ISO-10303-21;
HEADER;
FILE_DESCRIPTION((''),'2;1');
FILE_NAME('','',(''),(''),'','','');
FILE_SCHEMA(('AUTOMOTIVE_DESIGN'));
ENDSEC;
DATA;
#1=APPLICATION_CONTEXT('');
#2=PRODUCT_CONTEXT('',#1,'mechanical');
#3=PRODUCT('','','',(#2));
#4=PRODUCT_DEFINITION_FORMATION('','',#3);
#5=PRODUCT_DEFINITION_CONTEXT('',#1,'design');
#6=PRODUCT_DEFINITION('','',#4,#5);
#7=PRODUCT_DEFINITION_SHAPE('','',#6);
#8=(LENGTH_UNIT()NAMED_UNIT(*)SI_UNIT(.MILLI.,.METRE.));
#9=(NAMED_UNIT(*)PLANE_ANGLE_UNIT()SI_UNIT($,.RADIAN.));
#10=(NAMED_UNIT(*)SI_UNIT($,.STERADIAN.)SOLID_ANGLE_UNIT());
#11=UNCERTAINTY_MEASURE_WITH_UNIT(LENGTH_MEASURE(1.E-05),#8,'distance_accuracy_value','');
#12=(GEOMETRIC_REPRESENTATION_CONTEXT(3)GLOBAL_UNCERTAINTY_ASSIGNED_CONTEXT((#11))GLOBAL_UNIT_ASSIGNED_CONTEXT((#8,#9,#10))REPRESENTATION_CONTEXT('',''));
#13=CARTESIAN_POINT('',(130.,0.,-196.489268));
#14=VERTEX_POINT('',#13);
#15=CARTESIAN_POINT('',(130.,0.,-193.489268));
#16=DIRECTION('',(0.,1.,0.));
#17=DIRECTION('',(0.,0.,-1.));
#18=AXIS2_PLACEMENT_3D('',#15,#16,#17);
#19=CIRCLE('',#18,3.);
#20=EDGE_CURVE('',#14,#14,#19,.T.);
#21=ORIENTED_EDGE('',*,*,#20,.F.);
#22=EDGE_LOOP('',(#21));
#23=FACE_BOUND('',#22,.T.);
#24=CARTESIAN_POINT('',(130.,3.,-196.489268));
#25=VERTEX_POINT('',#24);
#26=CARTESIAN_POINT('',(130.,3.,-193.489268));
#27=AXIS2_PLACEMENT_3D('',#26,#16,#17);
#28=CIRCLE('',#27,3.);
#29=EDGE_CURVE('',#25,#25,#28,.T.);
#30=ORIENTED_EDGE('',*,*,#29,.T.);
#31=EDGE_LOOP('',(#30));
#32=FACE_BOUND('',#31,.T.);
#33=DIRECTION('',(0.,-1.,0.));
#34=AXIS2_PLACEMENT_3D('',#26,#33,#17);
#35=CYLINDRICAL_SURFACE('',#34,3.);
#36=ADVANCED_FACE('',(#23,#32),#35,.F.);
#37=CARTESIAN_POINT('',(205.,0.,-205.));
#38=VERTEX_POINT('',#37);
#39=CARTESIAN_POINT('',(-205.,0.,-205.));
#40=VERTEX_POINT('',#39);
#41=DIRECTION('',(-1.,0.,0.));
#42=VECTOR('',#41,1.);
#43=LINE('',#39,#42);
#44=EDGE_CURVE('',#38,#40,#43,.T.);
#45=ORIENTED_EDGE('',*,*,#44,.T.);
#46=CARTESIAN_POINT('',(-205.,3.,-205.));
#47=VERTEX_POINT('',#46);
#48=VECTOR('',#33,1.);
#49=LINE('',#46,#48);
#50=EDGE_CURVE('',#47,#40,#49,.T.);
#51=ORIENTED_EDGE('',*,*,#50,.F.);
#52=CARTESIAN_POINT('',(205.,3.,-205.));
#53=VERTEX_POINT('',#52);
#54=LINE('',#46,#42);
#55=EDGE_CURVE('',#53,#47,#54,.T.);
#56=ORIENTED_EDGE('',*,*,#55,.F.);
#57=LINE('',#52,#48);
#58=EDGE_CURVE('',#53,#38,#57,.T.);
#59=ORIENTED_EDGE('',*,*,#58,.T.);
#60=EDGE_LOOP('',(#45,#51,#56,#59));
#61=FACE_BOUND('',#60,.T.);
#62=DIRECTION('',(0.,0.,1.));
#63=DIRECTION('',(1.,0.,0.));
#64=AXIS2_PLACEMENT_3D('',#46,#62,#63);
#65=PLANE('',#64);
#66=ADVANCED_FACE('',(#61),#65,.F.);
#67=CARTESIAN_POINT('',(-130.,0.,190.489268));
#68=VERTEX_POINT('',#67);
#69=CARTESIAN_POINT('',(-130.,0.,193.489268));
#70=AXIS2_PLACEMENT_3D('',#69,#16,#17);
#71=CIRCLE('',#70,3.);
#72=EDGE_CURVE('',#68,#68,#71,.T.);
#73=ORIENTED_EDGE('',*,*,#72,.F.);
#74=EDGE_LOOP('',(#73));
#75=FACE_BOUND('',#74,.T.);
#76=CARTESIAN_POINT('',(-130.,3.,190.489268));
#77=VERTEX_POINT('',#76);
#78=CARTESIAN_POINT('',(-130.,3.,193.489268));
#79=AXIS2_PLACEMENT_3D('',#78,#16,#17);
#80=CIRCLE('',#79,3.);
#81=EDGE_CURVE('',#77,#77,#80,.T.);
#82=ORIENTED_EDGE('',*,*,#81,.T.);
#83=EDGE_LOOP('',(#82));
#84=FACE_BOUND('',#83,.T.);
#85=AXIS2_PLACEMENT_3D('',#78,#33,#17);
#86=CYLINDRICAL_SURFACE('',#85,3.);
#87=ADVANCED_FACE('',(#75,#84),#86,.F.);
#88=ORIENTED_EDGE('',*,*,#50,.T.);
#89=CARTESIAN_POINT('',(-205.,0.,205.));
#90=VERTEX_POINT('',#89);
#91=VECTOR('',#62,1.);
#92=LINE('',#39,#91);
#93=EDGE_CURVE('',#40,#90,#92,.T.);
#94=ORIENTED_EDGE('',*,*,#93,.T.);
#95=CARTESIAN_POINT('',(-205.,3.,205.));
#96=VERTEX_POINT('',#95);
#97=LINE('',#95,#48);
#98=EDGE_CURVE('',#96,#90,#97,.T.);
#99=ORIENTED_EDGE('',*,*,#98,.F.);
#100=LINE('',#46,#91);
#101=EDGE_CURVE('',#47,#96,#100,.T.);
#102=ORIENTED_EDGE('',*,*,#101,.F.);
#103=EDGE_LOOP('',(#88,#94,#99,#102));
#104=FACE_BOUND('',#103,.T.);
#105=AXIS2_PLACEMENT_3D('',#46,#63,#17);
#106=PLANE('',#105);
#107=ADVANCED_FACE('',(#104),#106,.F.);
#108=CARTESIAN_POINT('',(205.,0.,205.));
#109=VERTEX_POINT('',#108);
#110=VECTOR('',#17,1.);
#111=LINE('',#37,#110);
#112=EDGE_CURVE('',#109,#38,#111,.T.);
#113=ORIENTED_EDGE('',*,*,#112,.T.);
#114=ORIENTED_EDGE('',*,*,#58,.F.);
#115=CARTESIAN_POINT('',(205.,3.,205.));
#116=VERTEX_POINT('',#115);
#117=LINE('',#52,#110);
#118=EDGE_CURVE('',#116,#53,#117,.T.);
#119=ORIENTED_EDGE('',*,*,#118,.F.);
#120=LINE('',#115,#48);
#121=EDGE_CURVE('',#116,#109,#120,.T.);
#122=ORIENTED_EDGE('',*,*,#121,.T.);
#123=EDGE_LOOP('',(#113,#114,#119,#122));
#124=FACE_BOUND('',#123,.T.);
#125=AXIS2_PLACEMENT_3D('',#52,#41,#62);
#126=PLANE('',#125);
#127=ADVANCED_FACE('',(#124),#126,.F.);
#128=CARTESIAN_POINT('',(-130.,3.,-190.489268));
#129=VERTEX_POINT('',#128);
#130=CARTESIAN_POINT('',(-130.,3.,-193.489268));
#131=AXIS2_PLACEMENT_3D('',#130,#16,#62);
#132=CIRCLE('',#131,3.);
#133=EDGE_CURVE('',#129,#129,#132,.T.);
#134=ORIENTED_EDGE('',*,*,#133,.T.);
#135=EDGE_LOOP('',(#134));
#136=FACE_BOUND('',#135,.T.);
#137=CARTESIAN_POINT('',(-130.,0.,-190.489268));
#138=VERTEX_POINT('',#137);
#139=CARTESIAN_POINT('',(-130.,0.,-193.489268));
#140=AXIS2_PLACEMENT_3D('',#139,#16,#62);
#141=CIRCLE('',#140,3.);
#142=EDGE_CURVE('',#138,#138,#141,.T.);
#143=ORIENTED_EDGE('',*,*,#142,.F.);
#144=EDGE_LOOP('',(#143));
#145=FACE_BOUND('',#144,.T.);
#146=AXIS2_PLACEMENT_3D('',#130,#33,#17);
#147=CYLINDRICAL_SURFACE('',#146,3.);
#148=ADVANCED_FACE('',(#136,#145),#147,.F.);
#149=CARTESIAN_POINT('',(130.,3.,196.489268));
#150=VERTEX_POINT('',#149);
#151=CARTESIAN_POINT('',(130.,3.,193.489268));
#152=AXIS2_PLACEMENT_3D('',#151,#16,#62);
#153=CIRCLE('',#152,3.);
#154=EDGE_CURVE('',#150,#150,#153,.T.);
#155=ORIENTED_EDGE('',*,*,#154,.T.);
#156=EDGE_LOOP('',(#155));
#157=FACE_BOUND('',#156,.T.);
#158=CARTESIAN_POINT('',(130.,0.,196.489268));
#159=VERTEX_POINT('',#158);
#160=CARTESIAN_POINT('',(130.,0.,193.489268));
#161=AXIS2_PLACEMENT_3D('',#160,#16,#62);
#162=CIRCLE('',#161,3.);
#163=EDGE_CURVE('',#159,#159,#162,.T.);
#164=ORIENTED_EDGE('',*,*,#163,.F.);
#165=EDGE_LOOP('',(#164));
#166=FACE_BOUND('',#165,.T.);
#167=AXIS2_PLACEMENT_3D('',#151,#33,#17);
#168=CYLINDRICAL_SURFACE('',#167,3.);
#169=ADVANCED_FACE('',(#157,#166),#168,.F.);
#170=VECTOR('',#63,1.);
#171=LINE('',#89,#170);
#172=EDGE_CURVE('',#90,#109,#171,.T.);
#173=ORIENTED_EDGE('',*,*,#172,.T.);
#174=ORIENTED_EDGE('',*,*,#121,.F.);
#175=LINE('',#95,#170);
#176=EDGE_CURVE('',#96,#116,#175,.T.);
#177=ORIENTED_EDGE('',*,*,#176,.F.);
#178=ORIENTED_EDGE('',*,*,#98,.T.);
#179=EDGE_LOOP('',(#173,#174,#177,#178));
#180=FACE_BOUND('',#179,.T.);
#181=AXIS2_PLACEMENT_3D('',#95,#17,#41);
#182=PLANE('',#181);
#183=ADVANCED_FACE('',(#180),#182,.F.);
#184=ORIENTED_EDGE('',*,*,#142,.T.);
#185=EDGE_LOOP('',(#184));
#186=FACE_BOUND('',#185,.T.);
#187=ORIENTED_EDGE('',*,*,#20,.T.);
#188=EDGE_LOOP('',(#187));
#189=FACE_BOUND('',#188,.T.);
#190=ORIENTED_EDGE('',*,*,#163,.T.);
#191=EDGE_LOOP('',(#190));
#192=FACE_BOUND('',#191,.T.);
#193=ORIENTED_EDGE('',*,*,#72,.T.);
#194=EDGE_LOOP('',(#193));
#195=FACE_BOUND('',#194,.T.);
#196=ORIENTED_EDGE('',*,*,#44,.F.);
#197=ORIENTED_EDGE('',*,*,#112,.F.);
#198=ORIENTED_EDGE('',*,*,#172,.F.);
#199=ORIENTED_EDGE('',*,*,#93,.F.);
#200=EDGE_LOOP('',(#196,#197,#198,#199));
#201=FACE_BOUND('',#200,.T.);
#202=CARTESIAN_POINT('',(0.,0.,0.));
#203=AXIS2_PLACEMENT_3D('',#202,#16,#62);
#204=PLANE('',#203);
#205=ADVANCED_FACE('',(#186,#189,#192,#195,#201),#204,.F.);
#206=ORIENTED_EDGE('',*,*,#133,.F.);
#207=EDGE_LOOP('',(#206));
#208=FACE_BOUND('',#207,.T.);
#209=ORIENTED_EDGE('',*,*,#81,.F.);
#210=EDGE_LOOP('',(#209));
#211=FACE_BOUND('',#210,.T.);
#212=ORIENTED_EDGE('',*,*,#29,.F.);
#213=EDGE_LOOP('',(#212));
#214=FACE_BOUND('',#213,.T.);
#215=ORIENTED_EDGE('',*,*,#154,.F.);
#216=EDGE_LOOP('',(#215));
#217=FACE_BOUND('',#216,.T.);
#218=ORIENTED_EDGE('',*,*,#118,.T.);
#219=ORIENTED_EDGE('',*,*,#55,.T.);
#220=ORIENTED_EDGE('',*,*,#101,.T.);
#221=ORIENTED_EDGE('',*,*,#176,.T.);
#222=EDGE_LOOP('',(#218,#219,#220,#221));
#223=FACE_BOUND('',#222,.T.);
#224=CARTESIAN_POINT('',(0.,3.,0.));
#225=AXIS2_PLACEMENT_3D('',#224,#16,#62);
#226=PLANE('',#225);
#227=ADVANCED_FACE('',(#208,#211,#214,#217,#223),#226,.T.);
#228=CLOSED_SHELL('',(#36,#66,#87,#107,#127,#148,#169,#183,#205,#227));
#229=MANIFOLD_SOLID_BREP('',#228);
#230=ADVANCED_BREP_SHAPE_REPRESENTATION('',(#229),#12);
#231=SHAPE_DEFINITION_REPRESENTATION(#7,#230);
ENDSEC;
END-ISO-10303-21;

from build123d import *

# Parameters (mm, degrees)
CROQUIS1_W              = 410
CROQUIS1_H              = 410
CROQUIS1_R              = 3
SALIENTE_EXTRUIR1_DEPTH = 3


with BuildPart() as part:
    # Croquis1 → Saliente-Extruir1 (new body)
    with BuildSketch(Plane(origin=(0, 0, 0), x_dir=(1, 0, 0), z_dir=(0, 1, 0))):
        Rectangle(CROQUIS1_W, CROQUIS1_H)
        with Locations(Location((-130, 193.489267674, 0), (0, 0, 270))):
            Circle(CROQUIS1_R, mode=Mode.SUBTRACT)
        with Locations(Location((130, 193.489267674, 0), (0, 0, 90))):
            Circle(CROQUIS1_R, mode=Mode.SUBTRACT)
        with Locations(Location((130, -193.489267674, 0), (0, 0, 270))):
            Circle(CROQUIS1_R, mode=Mode.SUBTRACT)
        with Locations(Location((-130, -193.489267674, 0), (0, 0, 90))):
            Circle(CROQUIS1_R, mode=Mode.SUBTRACT)
    extrude(amount=SALIENTE_EXTRUIR1_DEPTH)


solid = part.part
